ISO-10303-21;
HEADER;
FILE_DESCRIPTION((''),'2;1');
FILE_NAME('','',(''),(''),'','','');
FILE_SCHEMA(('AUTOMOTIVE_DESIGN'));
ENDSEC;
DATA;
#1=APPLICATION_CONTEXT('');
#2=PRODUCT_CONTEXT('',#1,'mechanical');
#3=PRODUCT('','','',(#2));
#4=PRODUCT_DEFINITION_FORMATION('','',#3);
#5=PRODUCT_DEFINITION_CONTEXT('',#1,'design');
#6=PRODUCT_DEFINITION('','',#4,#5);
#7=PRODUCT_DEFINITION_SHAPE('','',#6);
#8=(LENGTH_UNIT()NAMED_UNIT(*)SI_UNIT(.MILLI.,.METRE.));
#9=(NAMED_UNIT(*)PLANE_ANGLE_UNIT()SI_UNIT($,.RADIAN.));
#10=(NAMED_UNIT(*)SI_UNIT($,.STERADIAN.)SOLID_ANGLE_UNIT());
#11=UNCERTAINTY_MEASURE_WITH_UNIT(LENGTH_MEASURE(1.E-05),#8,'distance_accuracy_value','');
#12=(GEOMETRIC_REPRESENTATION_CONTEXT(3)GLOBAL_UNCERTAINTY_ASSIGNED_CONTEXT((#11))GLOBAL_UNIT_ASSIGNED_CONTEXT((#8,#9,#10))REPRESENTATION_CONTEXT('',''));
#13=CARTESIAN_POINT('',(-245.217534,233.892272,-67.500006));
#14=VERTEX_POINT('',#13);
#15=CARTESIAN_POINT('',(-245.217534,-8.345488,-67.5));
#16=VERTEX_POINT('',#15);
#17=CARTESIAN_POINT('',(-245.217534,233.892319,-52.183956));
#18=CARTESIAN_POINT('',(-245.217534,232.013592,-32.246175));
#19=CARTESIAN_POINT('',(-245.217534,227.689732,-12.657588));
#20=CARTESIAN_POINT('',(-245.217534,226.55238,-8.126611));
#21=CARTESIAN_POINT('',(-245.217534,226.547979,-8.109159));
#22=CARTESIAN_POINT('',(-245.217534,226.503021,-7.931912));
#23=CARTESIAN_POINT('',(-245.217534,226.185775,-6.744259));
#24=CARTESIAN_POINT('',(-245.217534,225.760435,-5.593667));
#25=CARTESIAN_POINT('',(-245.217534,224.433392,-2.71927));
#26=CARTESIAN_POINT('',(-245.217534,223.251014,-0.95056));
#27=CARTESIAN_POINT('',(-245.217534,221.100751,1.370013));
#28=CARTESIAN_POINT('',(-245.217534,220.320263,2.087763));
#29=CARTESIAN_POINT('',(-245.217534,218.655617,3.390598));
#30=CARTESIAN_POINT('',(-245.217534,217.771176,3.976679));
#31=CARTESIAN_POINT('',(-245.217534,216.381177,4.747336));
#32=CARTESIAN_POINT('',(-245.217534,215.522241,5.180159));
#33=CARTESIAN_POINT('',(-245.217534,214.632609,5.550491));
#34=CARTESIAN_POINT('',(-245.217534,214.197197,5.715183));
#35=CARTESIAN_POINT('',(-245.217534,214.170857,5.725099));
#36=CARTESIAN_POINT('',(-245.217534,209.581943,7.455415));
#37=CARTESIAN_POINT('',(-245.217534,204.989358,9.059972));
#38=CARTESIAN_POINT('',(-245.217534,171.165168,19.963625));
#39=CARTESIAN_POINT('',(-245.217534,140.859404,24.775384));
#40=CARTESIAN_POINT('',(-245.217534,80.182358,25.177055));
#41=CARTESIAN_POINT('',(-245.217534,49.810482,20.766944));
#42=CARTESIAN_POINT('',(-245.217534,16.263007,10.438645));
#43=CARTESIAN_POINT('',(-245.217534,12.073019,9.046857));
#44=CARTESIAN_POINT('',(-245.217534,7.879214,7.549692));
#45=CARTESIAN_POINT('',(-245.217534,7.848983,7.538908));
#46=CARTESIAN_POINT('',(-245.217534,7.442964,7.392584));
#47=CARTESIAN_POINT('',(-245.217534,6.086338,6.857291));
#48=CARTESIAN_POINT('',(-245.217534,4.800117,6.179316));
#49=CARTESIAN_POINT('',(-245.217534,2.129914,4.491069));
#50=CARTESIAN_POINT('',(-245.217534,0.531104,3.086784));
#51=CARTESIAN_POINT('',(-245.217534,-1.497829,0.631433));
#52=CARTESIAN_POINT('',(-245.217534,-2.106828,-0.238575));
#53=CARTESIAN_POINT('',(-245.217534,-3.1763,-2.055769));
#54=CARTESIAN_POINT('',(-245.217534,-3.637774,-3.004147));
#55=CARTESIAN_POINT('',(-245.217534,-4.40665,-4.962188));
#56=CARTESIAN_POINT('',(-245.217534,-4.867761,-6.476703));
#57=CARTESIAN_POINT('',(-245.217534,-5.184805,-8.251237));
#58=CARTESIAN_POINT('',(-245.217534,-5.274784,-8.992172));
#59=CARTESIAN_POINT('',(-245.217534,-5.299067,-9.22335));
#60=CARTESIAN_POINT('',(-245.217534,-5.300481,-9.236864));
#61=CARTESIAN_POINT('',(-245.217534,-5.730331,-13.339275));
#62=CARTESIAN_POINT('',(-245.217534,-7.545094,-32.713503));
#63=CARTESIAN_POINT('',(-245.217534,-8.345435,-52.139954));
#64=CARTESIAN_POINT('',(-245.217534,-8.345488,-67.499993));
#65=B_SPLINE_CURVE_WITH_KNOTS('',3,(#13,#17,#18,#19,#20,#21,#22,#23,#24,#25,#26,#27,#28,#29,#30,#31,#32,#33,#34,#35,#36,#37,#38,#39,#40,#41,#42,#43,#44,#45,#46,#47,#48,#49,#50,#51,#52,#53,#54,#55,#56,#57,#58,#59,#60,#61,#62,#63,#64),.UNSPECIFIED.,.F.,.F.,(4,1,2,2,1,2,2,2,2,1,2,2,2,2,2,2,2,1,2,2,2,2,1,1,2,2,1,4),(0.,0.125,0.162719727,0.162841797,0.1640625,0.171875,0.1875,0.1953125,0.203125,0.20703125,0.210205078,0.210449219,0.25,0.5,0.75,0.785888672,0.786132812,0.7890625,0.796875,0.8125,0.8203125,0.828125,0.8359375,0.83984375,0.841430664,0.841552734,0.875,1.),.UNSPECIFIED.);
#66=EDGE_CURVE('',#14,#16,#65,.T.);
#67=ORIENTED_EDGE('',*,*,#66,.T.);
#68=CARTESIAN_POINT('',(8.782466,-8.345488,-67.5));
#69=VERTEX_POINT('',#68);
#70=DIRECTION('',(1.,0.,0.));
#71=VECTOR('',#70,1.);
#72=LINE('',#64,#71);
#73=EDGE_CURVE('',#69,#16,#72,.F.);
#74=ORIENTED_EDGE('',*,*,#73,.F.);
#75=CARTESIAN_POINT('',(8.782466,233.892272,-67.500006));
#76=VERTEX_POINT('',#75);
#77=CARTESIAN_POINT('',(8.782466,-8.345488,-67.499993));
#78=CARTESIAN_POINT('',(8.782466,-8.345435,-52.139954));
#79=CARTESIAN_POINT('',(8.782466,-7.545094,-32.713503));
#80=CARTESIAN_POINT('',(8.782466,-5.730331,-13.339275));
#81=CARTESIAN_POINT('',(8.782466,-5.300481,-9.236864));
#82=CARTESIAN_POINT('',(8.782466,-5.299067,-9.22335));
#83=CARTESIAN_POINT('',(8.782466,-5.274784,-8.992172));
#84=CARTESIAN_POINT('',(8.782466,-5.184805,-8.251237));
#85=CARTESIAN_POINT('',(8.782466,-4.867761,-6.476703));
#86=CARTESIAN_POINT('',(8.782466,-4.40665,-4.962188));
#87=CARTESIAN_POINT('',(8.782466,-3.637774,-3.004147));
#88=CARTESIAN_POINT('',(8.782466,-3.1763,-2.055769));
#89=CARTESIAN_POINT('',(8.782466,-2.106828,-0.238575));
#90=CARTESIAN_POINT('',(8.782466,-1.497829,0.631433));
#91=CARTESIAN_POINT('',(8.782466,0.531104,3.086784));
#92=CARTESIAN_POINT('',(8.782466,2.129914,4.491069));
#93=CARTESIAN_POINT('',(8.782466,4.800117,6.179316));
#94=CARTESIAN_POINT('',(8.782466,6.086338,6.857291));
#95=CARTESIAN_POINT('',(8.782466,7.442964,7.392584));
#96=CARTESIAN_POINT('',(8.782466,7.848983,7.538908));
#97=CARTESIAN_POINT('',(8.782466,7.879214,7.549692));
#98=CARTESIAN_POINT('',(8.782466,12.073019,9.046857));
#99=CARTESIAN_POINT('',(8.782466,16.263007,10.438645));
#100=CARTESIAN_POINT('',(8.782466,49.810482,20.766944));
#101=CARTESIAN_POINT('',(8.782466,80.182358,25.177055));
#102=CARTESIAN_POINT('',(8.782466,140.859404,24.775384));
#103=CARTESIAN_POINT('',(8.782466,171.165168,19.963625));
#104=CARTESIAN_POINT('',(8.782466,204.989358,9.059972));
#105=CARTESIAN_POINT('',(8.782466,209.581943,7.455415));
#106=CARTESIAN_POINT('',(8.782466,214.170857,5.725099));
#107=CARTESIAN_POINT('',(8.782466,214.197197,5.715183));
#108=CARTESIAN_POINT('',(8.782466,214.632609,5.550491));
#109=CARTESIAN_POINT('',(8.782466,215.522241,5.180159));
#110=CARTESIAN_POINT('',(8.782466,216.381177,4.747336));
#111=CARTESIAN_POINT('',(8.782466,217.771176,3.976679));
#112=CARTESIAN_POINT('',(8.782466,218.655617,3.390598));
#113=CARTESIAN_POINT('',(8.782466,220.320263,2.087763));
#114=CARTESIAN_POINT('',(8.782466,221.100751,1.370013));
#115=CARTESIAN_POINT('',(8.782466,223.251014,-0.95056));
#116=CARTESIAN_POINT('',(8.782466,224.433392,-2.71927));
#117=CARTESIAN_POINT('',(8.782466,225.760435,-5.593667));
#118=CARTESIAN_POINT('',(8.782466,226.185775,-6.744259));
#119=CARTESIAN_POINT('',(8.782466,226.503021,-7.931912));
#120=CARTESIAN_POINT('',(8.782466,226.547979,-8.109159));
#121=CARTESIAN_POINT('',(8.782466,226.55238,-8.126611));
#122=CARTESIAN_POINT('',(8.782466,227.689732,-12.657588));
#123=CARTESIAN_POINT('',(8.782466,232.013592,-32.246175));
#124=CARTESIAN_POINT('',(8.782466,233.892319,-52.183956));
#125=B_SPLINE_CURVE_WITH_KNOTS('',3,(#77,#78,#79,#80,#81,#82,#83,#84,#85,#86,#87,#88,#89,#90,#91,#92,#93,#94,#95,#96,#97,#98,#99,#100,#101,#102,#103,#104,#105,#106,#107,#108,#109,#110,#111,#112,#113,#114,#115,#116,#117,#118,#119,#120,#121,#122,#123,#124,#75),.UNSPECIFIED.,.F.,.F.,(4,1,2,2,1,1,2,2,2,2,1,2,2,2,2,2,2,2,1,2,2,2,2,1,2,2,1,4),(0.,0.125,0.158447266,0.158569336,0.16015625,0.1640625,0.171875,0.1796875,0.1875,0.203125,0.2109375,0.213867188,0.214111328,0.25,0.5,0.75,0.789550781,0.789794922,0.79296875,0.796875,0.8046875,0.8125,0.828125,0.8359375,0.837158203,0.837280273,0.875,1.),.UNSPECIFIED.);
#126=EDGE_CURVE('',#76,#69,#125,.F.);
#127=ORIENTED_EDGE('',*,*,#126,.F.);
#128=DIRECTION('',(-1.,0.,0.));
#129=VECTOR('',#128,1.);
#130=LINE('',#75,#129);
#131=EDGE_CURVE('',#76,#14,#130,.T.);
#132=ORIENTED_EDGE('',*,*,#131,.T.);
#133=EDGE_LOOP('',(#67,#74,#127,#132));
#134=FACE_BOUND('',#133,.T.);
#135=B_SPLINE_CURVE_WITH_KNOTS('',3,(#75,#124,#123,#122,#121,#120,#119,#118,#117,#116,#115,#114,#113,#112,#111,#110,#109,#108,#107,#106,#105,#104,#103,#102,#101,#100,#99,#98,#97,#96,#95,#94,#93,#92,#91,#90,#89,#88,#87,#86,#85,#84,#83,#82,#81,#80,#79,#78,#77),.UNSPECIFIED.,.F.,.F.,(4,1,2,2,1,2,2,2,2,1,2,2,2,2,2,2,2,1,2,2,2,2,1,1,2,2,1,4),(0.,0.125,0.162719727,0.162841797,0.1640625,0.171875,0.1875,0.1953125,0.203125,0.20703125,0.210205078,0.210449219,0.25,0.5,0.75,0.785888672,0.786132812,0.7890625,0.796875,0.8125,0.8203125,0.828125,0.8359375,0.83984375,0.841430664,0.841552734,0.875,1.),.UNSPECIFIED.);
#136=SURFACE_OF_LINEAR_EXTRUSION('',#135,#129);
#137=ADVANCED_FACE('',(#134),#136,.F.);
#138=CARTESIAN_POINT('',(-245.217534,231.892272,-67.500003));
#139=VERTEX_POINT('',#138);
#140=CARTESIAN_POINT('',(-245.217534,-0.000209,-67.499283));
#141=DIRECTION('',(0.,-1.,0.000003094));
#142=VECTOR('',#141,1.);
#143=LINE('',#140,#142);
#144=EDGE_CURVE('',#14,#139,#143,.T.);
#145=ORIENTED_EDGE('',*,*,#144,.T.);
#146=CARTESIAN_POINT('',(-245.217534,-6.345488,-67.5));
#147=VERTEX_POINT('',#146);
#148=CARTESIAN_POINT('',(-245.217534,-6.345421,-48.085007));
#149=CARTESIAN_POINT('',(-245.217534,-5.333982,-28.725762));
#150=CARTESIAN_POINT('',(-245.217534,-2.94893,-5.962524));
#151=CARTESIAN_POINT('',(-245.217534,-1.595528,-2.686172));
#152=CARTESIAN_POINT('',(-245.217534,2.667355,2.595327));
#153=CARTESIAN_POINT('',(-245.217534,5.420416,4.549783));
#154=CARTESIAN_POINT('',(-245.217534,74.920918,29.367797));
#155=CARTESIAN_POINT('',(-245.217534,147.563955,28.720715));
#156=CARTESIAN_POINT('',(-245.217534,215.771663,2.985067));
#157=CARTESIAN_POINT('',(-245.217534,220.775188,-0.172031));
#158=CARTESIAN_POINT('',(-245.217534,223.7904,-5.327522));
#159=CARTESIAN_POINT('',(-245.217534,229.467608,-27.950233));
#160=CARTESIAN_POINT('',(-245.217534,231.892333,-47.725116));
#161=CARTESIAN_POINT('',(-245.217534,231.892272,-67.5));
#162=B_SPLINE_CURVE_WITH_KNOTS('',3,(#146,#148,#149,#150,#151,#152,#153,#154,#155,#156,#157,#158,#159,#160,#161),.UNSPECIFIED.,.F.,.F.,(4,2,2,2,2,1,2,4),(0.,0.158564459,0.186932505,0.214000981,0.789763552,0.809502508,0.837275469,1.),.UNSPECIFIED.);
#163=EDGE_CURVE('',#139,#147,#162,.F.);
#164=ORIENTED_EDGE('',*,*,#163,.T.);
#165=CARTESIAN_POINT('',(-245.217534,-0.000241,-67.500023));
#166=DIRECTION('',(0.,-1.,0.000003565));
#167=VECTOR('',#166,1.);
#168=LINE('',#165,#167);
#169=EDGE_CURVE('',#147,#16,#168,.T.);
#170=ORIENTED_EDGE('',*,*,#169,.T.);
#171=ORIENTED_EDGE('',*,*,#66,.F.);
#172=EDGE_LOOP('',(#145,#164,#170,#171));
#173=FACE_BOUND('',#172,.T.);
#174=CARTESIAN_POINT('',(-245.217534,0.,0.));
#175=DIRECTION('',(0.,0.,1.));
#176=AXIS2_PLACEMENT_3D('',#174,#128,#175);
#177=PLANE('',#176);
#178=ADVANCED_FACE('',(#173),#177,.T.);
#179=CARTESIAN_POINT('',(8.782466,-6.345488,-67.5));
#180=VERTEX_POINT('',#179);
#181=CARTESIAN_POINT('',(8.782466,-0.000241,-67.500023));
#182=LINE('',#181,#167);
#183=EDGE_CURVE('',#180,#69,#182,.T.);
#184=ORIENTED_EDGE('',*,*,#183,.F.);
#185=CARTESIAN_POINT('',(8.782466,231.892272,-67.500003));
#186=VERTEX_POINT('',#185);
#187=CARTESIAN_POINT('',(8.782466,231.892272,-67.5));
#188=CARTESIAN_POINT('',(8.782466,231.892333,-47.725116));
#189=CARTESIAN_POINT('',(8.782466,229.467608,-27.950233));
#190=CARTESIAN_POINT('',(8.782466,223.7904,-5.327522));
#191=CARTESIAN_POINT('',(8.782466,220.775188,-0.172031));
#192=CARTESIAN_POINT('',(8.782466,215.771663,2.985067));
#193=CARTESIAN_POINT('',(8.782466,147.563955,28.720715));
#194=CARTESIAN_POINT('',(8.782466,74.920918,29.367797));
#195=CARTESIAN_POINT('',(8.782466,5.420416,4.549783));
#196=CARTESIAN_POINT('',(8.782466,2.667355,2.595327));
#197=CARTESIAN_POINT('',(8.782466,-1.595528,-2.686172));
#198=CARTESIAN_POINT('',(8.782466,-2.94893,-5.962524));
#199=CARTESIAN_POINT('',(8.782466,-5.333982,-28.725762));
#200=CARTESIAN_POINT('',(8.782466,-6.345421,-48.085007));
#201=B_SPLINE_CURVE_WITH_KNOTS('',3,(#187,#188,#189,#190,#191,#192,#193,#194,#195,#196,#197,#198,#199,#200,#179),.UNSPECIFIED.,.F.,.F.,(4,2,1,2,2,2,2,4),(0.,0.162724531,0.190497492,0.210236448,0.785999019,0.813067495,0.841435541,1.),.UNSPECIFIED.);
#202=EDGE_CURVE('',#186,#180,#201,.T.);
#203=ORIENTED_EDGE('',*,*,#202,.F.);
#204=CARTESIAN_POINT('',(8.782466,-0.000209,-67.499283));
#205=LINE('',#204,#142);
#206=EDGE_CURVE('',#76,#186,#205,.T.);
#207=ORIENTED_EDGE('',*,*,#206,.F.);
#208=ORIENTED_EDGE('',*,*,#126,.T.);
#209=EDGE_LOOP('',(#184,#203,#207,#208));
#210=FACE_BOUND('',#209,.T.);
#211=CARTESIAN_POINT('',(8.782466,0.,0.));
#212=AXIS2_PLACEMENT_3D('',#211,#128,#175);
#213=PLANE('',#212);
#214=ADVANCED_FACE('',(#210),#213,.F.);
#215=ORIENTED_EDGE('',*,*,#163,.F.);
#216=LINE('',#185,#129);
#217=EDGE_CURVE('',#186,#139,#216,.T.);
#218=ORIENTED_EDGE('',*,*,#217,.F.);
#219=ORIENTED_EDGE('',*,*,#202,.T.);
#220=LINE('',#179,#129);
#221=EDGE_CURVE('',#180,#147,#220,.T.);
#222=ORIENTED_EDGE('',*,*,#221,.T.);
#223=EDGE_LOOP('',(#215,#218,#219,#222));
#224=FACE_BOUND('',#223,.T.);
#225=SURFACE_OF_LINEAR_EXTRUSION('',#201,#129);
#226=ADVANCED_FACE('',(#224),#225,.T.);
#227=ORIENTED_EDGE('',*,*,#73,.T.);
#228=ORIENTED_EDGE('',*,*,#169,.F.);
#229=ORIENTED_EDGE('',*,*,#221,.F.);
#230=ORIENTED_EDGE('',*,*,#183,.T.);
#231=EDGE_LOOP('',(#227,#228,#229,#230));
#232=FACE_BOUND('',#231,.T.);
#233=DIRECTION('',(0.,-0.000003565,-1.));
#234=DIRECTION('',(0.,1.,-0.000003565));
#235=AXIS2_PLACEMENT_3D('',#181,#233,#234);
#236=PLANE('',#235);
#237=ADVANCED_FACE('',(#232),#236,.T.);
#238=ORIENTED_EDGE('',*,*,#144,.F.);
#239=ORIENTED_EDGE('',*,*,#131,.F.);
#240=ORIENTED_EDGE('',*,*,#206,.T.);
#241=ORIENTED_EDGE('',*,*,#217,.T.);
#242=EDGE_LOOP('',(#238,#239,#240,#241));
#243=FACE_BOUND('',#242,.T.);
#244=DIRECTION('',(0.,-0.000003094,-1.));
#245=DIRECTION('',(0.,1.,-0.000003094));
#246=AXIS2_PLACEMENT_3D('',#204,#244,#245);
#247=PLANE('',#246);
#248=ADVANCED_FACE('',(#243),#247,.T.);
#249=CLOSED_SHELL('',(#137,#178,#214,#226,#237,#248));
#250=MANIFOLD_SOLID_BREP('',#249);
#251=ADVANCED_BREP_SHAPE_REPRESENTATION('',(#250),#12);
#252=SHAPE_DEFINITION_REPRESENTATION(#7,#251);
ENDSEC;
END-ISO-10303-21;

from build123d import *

# Parameters (mm, degrees)
BOSS_EXTRUDE1_DEPTH = 254


with BuildPart() as part:
    # Sketch4 → Boss-Extrude1 (new body)
    with BuildSketch(Plane.ZY.offset(245.21753429)):
        with BuildLine():
            Line((-67.500006187, 233.89227209), (-67.5, 231.89227209))
            add(Edge.make_bspline(
                [(-67.5, 231.89227209), (-47.72511642, 231.892333272), (-27.95023284, 229.467608245), (-5.327521602, 223.790399934), (-0.172030563, 220.775188), (2.985067404, 215.771662713), (28.720714796, 147.563954831), (29.367797285, 74.920918269), (4.549782804, 5.420416396), (2.595327017, 2.667355238), (-2.686171511, -1.595527822), (-5.962523964, -2.948930246), (-28.725761799, -5.333981655), (-48.085007287, -6.345420833), (-67.5, -6.345488263)],
                knots=[0, 0, 0, 0, 0.162724531, 0.162724531, 0.190497492, 0.210236448, 0.210236448, 0.785999019, 0.785999019, 0.813067495, 0.813067495, 0.841435541, 0.841435541, 1, 1, 1, 1], degree=3))
            Line((-67.5, -6.345488263), (-67.49999287, -8.345488263))
            add(Edge.make_bspline(
                [(-67.500006187, 233.89227209), (-52.18395554, 233.892319477), (-32.246175061, 232.013591616), (-12.657588436, 227.689731715), (-8.1266105, 226.552379867), (-8.109158968, 226.547979285), (-7.931912094, 226.503021068), (-6.744258688, 226.185774729), (-5.593667027, 225.760434933), (-2.719270156, 224.433391531), (-0.950559709, 223.251013954), (1.370013381, 221.100751364), (2.087762922, 220.32026293), (3.390598003, 218.655616767), (3.976679382, 217.771176316), (4.74733584, 216.381177199), (5.180159368, 215.522241117), (5.550490988, 214.63260913), (5.715182804, 214.197196928), (5.725098767, 214.17085686), (7.455415021, 209.581942579), (9.05997208, 204.989357667), (19.9636249, 171.165167662), (24.775383942, 140.859403623), (25.177054514, 80.182357659), (20.766944121, 49.810482345), (10.438644918, 16.263006952), (9.046857062, 12.073018614), (7.549692007, 7.879214289), (7.538907673, 7.848983457), (7.392584134, 7.442963641), (6.857291276, 6.086338249), (6.179315653, 4.800117053), (4.491069481, 2.129913678), (3.086784444, 0.531103863), (0.631432731, -1.497829072), (-0.238574634, -2.1068281), (-2.055769077, -3.176300365), (-3.004146601, -3.637774121), (-4.962187626, -4.406650334), (-6.476703091, -4.867760661), (-8.251236771, -5.184804829), (-8.992172494, -5.274784382), (-9.223349609, -5.29906682), (-9.23686374, -5.30048065), (-13.339274551, -5.730330997), (-32.713502597, -7.545094251), (-52.139953739, -8.345434916), (-67.49999287, -8.345488263)],
                knots=[0, 0, 0, 0, 0.125, 0.162719727, 0.162719727, 0.162841797, 0.162841797, 0.1640625, 0.171875, 0.171875, 0.1875, 0.1875, 0.1953125, 0.1953125, 0.203125, 0.203125, 0.20703125, 0.210205078, 0.210205078, 0.210449219, 0.210449219, 0.25, 0.25, 0.5, 0.5, 0.75, 0.75, 0.785888672, 0.785888672, 0.786132812, 0.786132812, 0.7890625, 0.796875, 0.796875, 0.8125, 0.8125, 0.8203125, 0.8203125, 0.828125, 0.828125, 0.8359375, 0.83984375, 0.841430664, 0.841430664, 0.841552734, 0.841552734, 0.875, 1, 1, 1, 1], degree=3))
        make_face()
    extrude(amount=-BOSS_EXTRUDE1_DEPTH)


solid = part.part
